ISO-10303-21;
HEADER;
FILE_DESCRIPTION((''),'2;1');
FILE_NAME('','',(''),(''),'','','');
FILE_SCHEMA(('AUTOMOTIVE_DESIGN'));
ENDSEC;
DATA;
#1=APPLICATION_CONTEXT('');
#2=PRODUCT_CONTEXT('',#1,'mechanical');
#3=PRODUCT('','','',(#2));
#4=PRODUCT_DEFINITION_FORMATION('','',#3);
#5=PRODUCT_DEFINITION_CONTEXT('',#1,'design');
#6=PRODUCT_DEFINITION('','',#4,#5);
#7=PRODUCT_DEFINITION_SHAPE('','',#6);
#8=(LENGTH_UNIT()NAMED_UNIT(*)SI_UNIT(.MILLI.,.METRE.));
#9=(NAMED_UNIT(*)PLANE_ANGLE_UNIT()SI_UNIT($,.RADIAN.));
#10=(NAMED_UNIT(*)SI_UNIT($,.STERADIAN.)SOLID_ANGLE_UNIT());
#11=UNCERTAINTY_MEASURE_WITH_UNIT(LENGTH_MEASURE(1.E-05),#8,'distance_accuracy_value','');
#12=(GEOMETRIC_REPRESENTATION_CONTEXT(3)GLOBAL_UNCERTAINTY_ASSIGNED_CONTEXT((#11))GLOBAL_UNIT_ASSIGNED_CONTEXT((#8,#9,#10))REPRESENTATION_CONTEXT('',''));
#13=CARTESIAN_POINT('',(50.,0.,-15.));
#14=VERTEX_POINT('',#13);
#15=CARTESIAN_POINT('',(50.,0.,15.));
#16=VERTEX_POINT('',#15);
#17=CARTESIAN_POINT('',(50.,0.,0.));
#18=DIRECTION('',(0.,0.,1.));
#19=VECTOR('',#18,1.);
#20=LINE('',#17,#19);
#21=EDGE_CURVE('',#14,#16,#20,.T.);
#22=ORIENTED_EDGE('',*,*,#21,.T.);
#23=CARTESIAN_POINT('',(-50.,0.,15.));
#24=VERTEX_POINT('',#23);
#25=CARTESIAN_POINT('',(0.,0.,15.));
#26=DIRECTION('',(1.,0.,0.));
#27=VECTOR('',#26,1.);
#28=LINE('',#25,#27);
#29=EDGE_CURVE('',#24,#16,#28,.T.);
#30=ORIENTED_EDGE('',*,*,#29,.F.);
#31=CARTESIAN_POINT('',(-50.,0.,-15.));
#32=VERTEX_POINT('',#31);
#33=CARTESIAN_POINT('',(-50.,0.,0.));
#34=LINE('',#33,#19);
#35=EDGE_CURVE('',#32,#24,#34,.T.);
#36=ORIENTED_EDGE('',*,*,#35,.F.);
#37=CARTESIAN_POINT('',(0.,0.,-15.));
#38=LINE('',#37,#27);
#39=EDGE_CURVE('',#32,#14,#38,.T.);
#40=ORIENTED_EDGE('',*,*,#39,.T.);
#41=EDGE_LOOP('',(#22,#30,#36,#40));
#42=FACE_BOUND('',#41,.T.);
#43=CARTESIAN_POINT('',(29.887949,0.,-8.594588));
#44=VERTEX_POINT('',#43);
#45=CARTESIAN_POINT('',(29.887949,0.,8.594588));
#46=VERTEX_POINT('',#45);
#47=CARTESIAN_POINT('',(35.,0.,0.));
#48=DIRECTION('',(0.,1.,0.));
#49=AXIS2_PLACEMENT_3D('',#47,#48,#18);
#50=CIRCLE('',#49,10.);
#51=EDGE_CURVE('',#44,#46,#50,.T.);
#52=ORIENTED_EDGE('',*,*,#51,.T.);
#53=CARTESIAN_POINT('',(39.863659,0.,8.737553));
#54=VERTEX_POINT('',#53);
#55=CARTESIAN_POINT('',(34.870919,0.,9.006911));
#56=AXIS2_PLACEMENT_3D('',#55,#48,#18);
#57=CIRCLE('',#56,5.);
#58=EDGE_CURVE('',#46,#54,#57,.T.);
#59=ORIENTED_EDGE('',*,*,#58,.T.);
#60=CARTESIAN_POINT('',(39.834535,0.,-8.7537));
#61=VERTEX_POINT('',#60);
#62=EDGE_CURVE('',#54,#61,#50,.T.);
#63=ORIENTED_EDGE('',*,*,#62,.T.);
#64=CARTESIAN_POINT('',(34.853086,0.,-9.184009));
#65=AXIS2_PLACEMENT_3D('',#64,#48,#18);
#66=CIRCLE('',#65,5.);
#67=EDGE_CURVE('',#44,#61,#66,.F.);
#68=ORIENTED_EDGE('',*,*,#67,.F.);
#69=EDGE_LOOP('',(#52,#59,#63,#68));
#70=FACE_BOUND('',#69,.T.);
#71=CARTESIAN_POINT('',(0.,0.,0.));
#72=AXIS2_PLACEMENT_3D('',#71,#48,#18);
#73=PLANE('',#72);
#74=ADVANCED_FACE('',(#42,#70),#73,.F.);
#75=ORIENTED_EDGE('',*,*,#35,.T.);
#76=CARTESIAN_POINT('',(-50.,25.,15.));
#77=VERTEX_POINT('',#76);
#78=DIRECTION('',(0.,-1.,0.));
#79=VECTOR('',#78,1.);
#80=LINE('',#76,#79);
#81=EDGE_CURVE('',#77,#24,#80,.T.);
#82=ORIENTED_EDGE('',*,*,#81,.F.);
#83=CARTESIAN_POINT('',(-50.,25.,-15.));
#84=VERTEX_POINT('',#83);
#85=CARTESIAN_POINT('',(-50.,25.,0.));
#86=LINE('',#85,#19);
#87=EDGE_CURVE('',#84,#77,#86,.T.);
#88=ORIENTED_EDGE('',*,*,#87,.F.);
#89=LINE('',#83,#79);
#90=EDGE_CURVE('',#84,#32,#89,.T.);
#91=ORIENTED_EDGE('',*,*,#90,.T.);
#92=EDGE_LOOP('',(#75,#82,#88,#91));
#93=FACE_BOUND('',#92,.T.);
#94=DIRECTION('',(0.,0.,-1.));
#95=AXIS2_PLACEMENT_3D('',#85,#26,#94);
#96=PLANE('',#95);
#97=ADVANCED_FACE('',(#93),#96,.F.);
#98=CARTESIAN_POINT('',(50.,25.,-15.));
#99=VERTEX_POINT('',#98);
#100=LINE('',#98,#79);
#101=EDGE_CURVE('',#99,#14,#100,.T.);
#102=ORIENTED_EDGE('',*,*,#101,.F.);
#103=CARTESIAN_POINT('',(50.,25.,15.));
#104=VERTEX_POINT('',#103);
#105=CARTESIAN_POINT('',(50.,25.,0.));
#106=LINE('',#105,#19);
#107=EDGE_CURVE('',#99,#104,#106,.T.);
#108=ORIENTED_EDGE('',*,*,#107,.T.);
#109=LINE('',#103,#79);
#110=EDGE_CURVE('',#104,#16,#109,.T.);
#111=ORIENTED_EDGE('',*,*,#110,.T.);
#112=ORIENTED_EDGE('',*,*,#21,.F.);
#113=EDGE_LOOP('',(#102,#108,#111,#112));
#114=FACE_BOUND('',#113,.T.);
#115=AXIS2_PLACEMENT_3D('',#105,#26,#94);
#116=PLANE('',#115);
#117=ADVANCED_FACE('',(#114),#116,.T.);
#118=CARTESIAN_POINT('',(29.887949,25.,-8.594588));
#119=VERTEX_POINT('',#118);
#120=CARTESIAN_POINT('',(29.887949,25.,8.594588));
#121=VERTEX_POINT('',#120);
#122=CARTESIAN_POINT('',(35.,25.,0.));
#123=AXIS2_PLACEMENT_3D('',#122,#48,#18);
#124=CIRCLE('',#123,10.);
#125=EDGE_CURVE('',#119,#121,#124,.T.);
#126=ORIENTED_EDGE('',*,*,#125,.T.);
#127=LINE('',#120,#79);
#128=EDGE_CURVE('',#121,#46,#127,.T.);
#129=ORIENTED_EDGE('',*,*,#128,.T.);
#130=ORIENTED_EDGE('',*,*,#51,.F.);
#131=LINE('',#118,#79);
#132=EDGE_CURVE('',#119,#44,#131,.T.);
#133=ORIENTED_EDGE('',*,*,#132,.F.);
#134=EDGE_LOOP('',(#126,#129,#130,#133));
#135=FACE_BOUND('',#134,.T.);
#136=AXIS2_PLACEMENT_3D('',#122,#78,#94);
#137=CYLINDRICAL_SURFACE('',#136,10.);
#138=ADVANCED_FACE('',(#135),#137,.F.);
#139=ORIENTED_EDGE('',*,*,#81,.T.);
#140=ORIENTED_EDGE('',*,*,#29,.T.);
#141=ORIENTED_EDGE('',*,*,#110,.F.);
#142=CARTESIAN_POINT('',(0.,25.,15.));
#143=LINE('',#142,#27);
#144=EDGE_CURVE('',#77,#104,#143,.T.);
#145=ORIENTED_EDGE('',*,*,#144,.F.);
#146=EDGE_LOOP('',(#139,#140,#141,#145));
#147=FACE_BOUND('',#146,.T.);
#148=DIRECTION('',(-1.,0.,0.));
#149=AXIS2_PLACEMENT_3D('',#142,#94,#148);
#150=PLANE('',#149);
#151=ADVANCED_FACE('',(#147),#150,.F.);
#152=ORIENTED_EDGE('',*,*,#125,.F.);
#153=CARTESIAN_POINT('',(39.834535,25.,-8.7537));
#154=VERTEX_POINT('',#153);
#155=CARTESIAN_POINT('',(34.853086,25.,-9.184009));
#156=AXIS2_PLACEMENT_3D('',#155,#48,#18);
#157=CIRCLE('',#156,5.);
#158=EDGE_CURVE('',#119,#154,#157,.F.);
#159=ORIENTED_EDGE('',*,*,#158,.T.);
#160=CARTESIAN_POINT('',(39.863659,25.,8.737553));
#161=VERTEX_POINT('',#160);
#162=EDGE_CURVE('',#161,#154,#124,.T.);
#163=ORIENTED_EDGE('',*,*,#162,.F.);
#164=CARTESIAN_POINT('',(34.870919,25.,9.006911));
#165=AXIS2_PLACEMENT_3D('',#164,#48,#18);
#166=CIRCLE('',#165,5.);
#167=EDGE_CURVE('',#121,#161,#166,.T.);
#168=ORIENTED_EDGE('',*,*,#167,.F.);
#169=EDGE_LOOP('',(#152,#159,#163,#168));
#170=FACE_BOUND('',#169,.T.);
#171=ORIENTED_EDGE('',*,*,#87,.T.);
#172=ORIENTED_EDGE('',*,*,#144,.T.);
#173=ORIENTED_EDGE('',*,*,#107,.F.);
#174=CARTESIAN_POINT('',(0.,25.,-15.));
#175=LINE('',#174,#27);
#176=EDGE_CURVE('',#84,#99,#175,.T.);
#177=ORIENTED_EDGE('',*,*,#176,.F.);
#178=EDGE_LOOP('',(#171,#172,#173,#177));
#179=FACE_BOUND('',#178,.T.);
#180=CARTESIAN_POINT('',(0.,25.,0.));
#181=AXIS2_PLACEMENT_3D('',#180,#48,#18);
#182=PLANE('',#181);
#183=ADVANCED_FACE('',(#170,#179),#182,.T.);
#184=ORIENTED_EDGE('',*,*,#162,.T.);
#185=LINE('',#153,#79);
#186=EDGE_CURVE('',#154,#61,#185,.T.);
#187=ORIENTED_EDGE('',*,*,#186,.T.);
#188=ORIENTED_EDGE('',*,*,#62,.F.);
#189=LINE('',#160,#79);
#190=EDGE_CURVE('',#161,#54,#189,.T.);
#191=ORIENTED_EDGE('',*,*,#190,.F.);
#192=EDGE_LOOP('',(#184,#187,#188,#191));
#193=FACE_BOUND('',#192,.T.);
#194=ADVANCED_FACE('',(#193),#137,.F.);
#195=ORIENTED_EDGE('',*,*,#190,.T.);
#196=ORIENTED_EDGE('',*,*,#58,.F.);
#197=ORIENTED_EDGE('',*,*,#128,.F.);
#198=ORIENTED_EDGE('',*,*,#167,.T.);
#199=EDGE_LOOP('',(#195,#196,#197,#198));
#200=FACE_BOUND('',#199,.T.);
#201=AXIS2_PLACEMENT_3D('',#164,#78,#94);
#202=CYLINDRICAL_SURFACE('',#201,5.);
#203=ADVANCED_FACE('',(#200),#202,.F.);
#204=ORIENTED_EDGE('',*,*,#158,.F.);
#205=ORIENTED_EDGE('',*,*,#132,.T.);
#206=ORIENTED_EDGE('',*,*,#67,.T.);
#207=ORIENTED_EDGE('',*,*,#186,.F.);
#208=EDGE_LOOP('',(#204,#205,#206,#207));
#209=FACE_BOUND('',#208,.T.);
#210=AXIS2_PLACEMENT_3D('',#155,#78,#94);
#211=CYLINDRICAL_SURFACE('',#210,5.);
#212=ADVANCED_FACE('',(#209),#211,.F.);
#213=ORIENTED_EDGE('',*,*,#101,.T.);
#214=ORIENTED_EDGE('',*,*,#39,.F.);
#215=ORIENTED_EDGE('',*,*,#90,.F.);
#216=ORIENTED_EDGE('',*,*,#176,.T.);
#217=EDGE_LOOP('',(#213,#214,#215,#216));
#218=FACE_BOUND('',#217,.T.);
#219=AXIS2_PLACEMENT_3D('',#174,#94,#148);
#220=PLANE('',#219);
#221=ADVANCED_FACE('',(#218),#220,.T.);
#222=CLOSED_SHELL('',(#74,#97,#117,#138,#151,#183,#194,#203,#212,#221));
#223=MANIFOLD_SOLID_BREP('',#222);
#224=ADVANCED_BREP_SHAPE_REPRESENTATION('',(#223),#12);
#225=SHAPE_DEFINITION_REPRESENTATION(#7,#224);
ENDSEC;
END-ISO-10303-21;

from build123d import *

# Parameters (mm, degrees)
SKETCH_1_W      = 100
SKETCH_1_H      = 30
EXTRUDE_3_DEPTH = 25


with BuildPart() as part:
    # 草图1 → 凸台-拉伸3 (new body)
    with BuildSketch(Plane(origin=(0, 0, 0), x_dir=(1, 0, 0), z_dir=(0, 1, 0))):
        Rectangle(SKETCH_1_W, SKETCH_1_H)
        with BuildLine():
            ThreePointArc((39.834535229, 8.75370031), (43.612356016, 5.082059017), (45, 0))
            ThreePointArc((45, 0), (43.620805853, -5.067712151), (39.863658712, -8.737552514))
            ThreePointArc((39.863658712, -8.737552514), (34.79927033, -14.006397834), (29.887949458, -8.594587789))
            ThreePointArc((29.887949458, -8.594587789), (25, 0), (29.887949458, 8.594587789))
            ThreePointArc((29.887949458, 8.594587789), (34.773112936, 14.183369273), (39.834535229, 8.75370031))
        make_face(mode=Mode.SUBTRACT)
    extrude(amount=EXTRUDE_3_DEPTH)


solid = part.part
